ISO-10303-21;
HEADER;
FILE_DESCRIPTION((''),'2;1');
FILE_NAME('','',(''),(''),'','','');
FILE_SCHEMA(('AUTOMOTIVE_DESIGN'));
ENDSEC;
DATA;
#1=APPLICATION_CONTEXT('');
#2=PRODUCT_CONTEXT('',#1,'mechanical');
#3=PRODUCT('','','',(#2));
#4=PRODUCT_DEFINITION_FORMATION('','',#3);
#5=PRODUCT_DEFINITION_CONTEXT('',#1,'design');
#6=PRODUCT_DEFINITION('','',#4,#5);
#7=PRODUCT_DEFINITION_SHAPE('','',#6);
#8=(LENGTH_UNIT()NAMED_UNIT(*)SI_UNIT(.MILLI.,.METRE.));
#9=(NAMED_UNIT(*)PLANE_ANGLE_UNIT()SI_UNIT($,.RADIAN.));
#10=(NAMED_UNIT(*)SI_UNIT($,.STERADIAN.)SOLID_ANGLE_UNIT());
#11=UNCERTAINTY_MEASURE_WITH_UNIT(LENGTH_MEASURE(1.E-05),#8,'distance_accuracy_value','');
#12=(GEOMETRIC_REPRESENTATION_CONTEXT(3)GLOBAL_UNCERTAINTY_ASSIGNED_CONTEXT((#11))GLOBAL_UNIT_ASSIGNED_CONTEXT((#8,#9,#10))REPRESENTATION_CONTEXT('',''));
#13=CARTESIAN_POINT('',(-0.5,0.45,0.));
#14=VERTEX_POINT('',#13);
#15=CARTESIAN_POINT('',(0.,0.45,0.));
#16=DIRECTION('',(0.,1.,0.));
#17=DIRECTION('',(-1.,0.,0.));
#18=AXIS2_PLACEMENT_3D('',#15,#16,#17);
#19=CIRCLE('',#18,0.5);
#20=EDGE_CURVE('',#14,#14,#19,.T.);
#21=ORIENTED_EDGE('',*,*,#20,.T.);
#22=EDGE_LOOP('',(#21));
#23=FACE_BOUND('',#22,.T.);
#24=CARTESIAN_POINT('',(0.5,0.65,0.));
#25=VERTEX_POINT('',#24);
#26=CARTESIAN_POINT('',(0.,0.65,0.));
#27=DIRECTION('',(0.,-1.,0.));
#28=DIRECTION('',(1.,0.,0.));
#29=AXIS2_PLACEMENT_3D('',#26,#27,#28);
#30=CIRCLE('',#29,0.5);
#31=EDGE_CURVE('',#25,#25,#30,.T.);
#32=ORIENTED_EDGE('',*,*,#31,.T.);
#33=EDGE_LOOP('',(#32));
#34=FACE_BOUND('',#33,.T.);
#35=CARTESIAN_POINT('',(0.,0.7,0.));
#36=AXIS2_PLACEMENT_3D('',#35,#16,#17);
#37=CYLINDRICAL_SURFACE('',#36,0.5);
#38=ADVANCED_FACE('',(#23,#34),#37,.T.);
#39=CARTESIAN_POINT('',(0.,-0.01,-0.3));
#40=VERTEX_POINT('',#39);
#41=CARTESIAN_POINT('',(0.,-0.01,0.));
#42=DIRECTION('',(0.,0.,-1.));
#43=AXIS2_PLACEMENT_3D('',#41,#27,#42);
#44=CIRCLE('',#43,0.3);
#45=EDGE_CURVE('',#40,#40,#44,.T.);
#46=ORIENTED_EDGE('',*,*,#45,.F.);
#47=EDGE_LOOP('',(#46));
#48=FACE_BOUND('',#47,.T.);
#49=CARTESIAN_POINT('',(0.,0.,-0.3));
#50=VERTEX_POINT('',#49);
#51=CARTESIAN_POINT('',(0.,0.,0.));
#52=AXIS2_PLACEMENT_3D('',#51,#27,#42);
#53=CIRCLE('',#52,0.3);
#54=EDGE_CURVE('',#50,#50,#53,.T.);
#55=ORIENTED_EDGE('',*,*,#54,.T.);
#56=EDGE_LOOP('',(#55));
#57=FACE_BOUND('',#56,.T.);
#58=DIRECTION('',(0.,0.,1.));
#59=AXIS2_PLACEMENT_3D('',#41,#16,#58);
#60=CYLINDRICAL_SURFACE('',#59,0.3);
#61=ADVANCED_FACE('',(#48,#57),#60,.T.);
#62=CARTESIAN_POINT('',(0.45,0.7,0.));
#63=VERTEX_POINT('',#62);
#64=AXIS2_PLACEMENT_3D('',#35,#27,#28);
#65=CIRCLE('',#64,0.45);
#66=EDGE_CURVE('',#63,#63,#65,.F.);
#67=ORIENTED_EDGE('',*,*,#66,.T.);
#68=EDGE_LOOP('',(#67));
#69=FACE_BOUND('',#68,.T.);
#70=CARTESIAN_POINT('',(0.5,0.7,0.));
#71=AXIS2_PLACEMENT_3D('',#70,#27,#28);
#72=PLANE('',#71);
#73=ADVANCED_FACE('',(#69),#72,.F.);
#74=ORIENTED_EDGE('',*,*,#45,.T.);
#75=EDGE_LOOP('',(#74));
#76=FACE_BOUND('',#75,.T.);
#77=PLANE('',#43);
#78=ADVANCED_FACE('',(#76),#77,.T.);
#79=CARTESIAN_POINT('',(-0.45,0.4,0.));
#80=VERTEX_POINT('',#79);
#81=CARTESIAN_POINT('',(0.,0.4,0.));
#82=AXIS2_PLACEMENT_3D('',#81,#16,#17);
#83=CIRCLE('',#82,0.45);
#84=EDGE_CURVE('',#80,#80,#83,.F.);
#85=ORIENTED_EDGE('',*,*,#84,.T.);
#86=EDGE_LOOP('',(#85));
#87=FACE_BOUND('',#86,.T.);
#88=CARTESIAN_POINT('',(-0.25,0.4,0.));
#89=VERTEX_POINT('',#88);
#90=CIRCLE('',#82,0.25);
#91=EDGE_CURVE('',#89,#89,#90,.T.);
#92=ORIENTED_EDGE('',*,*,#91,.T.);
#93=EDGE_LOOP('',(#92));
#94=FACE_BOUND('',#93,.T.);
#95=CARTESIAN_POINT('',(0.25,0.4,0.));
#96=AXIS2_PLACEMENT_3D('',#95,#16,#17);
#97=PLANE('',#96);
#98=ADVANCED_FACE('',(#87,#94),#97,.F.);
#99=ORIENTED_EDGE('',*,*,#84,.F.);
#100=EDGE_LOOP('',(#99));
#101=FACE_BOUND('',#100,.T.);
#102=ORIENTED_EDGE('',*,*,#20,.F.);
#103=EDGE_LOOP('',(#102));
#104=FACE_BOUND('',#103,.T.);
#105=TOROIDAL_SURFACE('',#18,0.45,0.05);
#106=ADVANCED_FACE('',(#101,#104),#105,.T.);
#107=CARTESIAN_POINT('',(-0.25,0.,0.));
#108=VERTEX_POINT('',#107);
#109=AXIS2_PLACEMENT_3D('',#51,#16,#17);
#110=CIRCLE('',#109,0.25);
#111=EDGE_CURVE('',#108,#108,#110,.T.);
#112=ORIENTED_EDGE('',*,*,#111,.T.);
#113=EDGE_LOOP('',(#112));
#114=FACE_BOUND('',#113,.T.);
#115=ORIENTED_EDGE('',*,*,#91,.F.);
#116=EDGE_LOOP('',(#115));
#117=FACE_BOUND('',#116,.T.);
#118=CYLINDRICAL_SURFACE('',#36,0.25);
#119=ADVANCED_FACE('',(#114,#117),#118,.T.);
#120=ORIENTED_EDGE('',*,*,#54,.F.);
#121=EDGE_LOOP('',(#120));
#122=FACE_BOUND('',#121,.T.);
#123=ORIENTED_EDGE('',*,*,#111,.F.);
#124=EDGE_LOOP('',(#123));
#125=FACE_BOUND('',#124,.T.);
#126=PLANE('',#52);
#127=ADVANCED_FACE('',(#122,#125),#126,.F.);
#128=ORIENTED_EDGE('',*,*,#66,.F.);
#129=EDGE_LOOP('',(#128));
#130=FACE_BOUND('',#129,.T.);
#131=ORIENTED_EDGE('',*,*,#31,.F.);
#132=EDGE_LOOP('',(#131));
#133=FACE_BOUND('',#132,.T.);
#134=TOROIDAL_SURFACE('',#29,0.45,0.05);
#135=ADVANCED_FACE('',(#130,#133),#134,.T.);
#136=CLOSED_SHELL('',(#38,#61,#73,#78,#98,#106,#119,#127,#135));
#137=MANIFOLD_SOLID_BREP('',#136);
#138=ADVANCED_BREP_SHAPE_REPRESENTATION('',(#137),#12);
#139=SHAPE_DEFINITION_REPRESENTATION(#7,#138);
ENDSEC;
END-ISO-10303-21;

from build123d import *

# Parameters (mm, degrees)
FILLET1_R           = 0.05
SKETCH2_R           = 0.3
BOSS_EXTRUDE1_DEPTH = 0.01


with BuildPart() as part:
    # Sketch1 → Revolve1 (revolve)
    with BuildSketch(Plane.XY, mode=Mode.PRIVATE) as revolve1_sk:
        Polygon((0, 0), (0.25, 0), (0.25, 0.4), (0.5, 0.4), (0.5, 0.7), (0, 0.7), align=None)
    revolve(revolve1_sk.sketch.rotate(Axis((0, 0.7, 0), (0, -1, 0)), 180), axis=Axis((0, 0.7, 0), (0, -1, 0)))

    # Fillet1
    fillet1_edges = [part.edges().sort_by_distance(p)[0] for p in [
        (0.5, 0.7, 0),
        (0.5, 0.4, 0),
    ]]
    fillet(fillet1_edges, radius=FILLET1_R)

    # Sketch2 → Boss-Extrude1 (add)
    with BuildSketch(Plane(origin=(0, 0, 0), x_dir=(-1, 0, 0), z_dir=(0, -1, 0))):
        with Locations(Location((0, 0, 0), (0, 0, 90))):
            Circle(SKETCH2_R)
    extrude(amount=BOSS_EXTRUDE1_DEPTH)


solid = part.part
